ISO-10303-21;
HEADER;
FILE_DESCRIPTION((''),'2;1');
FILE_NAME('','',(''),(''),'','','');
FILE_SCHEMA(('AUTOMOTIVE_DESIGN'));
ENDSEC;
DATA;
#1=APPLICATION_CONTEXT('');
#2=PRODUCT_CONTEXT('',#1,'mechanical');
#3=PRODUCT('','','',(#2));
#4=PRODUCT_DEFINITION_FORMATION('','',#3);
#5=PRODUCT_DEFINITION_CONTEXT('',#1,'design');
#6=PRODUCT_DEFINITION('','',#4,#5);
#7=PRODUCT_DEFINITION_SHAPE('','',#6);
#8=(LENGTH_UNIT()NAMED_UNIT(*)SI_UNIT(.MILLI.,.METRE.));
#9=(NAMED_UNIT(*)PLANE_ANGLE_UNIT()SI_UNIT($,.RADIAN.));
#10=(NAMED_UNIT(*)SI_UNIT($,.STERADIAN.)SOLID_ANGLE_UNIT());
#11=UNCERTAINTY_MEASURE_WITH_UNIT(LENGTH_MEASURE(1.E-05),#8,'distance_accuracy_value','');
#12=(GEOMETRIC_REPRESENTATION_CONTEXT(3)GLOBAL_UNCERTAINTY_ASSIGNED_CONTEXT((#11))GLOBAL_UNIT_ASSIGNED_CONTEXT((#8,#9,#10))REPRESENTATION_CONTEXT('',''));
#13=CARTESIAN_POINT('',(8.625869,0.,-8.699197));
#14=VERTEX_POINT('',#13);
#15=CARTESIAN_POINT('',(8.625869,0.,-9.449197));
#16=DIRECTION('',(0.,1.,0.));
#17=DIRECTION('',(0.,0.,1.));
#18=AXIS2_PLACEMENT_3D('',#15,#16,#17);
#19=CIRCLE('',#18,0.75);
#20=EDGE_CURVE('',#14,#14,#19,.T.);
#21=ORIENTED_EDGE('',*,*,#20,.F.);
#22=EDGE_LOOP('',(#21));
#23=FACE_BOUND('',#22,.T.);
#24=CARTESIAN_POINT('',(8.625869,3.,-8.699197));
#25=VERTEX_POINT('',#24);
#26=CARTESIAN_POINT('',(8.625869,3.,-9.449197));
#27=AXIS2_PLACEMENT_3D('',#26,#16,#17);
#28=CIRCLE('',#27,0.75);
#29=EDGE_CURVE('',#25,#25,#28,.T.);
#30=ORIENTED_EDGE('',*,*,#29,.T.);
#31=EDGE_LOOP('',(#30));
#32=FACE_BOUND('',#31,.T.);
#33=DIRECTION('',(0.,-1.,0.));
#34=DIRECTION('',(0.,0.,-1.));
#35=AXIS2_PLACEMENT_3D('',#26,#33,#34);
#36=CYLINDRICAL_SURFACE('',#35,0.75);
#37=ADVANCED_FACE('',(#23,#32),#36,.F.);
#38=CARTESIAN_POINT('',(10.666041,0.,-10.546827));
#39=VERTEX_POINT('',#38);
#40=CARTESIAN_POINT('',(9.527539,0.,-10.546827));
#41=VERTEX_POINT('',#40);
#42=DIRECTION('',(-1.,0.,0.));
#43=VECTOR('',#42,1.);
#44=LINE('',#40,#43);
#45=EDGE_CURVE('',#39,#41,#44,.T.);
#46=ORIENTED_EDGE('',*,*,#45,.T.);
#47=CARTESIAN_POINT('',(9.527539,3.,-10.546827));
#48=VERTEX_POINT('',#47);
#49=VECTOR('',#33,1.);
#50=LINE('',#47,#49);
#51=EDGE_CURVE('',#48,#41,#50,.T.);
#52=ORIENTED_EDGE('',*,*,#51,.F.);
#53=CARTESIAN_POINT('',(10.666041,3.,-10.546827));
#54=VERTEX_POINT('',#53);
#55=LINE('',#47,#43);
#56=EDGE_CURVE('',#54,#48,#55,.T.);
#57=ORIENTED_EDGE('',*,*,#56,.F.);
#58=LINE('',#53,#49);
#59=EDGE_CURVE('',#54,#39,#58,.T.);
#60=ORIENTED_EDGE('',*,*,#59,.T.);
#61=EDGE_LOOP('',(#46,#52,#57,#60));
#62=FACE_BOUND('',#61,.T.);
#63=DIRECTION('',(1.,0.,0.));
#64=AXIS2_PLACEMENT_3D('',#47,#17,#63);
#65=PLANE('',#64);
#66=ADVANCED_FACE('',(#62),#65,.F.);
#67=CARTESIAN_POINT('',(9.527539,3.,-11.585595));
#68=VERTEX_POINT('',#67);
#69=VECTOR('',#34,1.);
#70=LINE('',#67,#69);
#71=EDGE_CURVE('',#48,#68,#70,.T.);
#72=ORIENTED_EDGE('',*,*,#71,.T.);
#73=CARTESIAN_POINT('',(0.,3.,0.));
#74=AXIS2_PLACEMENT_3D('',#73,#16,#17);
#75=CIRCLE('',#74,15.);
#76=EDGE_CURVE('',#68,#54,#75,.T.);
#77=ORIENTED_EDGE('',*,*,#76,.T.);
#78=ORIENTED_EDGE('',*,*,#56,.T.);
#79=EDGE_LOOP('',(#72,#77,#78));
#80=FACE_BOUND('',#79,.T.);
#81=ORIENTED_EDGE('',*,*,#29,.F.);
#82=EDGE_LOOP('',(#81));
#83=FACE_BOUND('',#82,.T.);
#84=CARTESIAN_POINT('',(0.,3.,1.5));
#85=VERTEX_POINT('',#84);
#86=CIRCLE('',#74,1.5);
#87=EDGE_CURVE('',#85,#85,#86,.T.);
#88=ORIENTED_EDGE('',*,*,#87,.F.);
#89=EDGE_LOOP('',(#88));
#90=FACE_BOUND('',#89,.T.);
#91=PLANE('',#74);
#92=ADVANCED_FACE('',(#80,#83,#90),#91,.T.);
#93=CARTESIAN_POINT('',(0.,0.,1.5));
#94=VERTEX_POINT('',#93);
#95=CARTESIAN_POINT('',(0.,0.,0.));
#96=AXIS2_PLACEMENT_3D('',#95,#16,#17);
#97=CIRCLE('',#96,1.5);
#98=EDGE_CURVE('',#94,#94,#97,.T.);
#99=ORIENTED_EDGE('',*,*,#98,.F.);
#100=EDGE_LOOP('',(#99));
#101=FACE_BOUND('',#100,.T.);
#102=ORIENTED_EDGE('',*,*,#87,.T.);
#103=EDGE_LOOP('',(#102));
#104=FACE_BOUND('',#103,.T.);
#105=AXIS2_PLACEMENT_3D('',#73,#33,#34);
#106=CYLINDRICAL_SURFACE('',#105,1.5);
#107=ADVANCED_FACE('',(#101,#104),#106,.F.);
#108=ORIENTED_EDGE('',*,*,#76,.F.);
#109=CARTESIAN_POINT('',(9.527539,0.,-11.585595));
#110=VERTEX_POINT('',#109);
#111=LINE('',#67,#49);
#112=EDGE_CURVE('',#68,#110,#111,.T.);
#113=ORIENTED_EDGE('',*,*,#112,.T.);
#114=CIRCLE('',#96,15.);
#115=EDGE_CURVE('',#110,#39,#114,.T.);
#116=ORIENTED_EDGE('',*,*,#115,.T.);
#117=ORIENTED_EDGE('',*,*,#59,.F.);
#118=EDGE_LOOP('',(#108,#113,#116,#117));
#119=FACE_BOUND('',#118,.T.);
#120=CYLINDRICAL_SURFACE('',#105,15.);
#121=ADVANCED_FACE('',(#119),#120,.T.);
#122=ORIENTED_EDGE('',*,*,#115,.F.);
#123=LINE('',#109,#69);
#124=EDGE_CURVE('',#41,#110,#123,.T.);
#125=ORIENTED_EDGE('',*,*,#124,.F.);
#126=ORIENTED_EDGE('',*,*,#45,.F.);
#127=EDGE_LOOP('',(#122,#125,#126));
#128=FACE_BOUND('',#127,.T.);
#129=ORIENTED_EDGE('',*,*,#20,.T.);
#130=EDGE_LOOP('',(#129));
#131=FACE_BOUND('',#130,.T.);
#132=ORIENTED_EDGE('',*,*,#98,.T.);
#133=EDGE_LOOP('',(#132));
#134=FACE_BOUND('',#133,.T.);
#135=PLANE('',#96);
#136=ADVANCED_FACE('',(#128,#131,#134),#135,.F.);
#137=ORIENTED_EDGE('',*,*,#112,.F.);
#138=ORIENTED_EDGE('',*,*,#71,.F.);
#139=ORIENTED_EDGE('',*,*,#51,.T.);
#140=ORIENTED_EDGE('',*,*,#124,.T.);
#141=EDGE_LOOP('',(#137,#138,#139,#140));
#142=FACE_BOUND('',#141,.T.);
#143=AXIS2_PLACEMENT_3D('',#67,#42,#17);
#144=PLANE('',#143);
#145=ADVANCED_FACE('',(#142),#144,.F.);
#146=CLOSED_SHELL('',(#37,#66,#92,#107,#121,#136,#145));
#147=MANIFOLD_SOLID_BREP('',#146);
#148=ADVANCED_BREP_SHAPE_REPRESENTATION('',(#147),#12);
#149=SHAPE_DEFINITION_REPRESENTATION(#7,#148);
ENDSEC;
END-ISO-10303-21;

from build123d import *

# Parameters (mm, degrees)
ESBO_O1_R                = 1.5
ESBO_O1_R_2              = 0.75
RESSALTO_EXTRUS_O1_DEPTH = 3


with BuildPart() as part:
    # Esboço1 → Ressalto-extrusão1 (new body)
    with BuildSketch(Plane(origin=(0, 0, 0), x_dir=(1, 0, 0), z_dir=(0, 1, 0))):
        with BuildLine():
            Line((9.52753895, 11.585594571), (9.52753895, 10.546827297))
            Line((9.52753895, 10.546827297), (10.666041157, 10.546827297))
            ThreePointArc((10.666041157, 10.546827297), (-10.110139897, -11.080842534), (9.52753895, 11.585594571))
        make_face()
        with Locations(Location((0, 0, 0), (0, 0, 270))):
            Circle(ESBO_O1_R, mode=Mode.SUBTRACT)
        with Locations(Location((8.625869215, 9.449196698, 0), (0, 0, 270))):
            Circle(ESBO_O1_R_2, mode=Mode.SUBTRACT)
    extrude(amount=RESSALTO_EXTRUS_O1_DEPTH)


solid = part.part
